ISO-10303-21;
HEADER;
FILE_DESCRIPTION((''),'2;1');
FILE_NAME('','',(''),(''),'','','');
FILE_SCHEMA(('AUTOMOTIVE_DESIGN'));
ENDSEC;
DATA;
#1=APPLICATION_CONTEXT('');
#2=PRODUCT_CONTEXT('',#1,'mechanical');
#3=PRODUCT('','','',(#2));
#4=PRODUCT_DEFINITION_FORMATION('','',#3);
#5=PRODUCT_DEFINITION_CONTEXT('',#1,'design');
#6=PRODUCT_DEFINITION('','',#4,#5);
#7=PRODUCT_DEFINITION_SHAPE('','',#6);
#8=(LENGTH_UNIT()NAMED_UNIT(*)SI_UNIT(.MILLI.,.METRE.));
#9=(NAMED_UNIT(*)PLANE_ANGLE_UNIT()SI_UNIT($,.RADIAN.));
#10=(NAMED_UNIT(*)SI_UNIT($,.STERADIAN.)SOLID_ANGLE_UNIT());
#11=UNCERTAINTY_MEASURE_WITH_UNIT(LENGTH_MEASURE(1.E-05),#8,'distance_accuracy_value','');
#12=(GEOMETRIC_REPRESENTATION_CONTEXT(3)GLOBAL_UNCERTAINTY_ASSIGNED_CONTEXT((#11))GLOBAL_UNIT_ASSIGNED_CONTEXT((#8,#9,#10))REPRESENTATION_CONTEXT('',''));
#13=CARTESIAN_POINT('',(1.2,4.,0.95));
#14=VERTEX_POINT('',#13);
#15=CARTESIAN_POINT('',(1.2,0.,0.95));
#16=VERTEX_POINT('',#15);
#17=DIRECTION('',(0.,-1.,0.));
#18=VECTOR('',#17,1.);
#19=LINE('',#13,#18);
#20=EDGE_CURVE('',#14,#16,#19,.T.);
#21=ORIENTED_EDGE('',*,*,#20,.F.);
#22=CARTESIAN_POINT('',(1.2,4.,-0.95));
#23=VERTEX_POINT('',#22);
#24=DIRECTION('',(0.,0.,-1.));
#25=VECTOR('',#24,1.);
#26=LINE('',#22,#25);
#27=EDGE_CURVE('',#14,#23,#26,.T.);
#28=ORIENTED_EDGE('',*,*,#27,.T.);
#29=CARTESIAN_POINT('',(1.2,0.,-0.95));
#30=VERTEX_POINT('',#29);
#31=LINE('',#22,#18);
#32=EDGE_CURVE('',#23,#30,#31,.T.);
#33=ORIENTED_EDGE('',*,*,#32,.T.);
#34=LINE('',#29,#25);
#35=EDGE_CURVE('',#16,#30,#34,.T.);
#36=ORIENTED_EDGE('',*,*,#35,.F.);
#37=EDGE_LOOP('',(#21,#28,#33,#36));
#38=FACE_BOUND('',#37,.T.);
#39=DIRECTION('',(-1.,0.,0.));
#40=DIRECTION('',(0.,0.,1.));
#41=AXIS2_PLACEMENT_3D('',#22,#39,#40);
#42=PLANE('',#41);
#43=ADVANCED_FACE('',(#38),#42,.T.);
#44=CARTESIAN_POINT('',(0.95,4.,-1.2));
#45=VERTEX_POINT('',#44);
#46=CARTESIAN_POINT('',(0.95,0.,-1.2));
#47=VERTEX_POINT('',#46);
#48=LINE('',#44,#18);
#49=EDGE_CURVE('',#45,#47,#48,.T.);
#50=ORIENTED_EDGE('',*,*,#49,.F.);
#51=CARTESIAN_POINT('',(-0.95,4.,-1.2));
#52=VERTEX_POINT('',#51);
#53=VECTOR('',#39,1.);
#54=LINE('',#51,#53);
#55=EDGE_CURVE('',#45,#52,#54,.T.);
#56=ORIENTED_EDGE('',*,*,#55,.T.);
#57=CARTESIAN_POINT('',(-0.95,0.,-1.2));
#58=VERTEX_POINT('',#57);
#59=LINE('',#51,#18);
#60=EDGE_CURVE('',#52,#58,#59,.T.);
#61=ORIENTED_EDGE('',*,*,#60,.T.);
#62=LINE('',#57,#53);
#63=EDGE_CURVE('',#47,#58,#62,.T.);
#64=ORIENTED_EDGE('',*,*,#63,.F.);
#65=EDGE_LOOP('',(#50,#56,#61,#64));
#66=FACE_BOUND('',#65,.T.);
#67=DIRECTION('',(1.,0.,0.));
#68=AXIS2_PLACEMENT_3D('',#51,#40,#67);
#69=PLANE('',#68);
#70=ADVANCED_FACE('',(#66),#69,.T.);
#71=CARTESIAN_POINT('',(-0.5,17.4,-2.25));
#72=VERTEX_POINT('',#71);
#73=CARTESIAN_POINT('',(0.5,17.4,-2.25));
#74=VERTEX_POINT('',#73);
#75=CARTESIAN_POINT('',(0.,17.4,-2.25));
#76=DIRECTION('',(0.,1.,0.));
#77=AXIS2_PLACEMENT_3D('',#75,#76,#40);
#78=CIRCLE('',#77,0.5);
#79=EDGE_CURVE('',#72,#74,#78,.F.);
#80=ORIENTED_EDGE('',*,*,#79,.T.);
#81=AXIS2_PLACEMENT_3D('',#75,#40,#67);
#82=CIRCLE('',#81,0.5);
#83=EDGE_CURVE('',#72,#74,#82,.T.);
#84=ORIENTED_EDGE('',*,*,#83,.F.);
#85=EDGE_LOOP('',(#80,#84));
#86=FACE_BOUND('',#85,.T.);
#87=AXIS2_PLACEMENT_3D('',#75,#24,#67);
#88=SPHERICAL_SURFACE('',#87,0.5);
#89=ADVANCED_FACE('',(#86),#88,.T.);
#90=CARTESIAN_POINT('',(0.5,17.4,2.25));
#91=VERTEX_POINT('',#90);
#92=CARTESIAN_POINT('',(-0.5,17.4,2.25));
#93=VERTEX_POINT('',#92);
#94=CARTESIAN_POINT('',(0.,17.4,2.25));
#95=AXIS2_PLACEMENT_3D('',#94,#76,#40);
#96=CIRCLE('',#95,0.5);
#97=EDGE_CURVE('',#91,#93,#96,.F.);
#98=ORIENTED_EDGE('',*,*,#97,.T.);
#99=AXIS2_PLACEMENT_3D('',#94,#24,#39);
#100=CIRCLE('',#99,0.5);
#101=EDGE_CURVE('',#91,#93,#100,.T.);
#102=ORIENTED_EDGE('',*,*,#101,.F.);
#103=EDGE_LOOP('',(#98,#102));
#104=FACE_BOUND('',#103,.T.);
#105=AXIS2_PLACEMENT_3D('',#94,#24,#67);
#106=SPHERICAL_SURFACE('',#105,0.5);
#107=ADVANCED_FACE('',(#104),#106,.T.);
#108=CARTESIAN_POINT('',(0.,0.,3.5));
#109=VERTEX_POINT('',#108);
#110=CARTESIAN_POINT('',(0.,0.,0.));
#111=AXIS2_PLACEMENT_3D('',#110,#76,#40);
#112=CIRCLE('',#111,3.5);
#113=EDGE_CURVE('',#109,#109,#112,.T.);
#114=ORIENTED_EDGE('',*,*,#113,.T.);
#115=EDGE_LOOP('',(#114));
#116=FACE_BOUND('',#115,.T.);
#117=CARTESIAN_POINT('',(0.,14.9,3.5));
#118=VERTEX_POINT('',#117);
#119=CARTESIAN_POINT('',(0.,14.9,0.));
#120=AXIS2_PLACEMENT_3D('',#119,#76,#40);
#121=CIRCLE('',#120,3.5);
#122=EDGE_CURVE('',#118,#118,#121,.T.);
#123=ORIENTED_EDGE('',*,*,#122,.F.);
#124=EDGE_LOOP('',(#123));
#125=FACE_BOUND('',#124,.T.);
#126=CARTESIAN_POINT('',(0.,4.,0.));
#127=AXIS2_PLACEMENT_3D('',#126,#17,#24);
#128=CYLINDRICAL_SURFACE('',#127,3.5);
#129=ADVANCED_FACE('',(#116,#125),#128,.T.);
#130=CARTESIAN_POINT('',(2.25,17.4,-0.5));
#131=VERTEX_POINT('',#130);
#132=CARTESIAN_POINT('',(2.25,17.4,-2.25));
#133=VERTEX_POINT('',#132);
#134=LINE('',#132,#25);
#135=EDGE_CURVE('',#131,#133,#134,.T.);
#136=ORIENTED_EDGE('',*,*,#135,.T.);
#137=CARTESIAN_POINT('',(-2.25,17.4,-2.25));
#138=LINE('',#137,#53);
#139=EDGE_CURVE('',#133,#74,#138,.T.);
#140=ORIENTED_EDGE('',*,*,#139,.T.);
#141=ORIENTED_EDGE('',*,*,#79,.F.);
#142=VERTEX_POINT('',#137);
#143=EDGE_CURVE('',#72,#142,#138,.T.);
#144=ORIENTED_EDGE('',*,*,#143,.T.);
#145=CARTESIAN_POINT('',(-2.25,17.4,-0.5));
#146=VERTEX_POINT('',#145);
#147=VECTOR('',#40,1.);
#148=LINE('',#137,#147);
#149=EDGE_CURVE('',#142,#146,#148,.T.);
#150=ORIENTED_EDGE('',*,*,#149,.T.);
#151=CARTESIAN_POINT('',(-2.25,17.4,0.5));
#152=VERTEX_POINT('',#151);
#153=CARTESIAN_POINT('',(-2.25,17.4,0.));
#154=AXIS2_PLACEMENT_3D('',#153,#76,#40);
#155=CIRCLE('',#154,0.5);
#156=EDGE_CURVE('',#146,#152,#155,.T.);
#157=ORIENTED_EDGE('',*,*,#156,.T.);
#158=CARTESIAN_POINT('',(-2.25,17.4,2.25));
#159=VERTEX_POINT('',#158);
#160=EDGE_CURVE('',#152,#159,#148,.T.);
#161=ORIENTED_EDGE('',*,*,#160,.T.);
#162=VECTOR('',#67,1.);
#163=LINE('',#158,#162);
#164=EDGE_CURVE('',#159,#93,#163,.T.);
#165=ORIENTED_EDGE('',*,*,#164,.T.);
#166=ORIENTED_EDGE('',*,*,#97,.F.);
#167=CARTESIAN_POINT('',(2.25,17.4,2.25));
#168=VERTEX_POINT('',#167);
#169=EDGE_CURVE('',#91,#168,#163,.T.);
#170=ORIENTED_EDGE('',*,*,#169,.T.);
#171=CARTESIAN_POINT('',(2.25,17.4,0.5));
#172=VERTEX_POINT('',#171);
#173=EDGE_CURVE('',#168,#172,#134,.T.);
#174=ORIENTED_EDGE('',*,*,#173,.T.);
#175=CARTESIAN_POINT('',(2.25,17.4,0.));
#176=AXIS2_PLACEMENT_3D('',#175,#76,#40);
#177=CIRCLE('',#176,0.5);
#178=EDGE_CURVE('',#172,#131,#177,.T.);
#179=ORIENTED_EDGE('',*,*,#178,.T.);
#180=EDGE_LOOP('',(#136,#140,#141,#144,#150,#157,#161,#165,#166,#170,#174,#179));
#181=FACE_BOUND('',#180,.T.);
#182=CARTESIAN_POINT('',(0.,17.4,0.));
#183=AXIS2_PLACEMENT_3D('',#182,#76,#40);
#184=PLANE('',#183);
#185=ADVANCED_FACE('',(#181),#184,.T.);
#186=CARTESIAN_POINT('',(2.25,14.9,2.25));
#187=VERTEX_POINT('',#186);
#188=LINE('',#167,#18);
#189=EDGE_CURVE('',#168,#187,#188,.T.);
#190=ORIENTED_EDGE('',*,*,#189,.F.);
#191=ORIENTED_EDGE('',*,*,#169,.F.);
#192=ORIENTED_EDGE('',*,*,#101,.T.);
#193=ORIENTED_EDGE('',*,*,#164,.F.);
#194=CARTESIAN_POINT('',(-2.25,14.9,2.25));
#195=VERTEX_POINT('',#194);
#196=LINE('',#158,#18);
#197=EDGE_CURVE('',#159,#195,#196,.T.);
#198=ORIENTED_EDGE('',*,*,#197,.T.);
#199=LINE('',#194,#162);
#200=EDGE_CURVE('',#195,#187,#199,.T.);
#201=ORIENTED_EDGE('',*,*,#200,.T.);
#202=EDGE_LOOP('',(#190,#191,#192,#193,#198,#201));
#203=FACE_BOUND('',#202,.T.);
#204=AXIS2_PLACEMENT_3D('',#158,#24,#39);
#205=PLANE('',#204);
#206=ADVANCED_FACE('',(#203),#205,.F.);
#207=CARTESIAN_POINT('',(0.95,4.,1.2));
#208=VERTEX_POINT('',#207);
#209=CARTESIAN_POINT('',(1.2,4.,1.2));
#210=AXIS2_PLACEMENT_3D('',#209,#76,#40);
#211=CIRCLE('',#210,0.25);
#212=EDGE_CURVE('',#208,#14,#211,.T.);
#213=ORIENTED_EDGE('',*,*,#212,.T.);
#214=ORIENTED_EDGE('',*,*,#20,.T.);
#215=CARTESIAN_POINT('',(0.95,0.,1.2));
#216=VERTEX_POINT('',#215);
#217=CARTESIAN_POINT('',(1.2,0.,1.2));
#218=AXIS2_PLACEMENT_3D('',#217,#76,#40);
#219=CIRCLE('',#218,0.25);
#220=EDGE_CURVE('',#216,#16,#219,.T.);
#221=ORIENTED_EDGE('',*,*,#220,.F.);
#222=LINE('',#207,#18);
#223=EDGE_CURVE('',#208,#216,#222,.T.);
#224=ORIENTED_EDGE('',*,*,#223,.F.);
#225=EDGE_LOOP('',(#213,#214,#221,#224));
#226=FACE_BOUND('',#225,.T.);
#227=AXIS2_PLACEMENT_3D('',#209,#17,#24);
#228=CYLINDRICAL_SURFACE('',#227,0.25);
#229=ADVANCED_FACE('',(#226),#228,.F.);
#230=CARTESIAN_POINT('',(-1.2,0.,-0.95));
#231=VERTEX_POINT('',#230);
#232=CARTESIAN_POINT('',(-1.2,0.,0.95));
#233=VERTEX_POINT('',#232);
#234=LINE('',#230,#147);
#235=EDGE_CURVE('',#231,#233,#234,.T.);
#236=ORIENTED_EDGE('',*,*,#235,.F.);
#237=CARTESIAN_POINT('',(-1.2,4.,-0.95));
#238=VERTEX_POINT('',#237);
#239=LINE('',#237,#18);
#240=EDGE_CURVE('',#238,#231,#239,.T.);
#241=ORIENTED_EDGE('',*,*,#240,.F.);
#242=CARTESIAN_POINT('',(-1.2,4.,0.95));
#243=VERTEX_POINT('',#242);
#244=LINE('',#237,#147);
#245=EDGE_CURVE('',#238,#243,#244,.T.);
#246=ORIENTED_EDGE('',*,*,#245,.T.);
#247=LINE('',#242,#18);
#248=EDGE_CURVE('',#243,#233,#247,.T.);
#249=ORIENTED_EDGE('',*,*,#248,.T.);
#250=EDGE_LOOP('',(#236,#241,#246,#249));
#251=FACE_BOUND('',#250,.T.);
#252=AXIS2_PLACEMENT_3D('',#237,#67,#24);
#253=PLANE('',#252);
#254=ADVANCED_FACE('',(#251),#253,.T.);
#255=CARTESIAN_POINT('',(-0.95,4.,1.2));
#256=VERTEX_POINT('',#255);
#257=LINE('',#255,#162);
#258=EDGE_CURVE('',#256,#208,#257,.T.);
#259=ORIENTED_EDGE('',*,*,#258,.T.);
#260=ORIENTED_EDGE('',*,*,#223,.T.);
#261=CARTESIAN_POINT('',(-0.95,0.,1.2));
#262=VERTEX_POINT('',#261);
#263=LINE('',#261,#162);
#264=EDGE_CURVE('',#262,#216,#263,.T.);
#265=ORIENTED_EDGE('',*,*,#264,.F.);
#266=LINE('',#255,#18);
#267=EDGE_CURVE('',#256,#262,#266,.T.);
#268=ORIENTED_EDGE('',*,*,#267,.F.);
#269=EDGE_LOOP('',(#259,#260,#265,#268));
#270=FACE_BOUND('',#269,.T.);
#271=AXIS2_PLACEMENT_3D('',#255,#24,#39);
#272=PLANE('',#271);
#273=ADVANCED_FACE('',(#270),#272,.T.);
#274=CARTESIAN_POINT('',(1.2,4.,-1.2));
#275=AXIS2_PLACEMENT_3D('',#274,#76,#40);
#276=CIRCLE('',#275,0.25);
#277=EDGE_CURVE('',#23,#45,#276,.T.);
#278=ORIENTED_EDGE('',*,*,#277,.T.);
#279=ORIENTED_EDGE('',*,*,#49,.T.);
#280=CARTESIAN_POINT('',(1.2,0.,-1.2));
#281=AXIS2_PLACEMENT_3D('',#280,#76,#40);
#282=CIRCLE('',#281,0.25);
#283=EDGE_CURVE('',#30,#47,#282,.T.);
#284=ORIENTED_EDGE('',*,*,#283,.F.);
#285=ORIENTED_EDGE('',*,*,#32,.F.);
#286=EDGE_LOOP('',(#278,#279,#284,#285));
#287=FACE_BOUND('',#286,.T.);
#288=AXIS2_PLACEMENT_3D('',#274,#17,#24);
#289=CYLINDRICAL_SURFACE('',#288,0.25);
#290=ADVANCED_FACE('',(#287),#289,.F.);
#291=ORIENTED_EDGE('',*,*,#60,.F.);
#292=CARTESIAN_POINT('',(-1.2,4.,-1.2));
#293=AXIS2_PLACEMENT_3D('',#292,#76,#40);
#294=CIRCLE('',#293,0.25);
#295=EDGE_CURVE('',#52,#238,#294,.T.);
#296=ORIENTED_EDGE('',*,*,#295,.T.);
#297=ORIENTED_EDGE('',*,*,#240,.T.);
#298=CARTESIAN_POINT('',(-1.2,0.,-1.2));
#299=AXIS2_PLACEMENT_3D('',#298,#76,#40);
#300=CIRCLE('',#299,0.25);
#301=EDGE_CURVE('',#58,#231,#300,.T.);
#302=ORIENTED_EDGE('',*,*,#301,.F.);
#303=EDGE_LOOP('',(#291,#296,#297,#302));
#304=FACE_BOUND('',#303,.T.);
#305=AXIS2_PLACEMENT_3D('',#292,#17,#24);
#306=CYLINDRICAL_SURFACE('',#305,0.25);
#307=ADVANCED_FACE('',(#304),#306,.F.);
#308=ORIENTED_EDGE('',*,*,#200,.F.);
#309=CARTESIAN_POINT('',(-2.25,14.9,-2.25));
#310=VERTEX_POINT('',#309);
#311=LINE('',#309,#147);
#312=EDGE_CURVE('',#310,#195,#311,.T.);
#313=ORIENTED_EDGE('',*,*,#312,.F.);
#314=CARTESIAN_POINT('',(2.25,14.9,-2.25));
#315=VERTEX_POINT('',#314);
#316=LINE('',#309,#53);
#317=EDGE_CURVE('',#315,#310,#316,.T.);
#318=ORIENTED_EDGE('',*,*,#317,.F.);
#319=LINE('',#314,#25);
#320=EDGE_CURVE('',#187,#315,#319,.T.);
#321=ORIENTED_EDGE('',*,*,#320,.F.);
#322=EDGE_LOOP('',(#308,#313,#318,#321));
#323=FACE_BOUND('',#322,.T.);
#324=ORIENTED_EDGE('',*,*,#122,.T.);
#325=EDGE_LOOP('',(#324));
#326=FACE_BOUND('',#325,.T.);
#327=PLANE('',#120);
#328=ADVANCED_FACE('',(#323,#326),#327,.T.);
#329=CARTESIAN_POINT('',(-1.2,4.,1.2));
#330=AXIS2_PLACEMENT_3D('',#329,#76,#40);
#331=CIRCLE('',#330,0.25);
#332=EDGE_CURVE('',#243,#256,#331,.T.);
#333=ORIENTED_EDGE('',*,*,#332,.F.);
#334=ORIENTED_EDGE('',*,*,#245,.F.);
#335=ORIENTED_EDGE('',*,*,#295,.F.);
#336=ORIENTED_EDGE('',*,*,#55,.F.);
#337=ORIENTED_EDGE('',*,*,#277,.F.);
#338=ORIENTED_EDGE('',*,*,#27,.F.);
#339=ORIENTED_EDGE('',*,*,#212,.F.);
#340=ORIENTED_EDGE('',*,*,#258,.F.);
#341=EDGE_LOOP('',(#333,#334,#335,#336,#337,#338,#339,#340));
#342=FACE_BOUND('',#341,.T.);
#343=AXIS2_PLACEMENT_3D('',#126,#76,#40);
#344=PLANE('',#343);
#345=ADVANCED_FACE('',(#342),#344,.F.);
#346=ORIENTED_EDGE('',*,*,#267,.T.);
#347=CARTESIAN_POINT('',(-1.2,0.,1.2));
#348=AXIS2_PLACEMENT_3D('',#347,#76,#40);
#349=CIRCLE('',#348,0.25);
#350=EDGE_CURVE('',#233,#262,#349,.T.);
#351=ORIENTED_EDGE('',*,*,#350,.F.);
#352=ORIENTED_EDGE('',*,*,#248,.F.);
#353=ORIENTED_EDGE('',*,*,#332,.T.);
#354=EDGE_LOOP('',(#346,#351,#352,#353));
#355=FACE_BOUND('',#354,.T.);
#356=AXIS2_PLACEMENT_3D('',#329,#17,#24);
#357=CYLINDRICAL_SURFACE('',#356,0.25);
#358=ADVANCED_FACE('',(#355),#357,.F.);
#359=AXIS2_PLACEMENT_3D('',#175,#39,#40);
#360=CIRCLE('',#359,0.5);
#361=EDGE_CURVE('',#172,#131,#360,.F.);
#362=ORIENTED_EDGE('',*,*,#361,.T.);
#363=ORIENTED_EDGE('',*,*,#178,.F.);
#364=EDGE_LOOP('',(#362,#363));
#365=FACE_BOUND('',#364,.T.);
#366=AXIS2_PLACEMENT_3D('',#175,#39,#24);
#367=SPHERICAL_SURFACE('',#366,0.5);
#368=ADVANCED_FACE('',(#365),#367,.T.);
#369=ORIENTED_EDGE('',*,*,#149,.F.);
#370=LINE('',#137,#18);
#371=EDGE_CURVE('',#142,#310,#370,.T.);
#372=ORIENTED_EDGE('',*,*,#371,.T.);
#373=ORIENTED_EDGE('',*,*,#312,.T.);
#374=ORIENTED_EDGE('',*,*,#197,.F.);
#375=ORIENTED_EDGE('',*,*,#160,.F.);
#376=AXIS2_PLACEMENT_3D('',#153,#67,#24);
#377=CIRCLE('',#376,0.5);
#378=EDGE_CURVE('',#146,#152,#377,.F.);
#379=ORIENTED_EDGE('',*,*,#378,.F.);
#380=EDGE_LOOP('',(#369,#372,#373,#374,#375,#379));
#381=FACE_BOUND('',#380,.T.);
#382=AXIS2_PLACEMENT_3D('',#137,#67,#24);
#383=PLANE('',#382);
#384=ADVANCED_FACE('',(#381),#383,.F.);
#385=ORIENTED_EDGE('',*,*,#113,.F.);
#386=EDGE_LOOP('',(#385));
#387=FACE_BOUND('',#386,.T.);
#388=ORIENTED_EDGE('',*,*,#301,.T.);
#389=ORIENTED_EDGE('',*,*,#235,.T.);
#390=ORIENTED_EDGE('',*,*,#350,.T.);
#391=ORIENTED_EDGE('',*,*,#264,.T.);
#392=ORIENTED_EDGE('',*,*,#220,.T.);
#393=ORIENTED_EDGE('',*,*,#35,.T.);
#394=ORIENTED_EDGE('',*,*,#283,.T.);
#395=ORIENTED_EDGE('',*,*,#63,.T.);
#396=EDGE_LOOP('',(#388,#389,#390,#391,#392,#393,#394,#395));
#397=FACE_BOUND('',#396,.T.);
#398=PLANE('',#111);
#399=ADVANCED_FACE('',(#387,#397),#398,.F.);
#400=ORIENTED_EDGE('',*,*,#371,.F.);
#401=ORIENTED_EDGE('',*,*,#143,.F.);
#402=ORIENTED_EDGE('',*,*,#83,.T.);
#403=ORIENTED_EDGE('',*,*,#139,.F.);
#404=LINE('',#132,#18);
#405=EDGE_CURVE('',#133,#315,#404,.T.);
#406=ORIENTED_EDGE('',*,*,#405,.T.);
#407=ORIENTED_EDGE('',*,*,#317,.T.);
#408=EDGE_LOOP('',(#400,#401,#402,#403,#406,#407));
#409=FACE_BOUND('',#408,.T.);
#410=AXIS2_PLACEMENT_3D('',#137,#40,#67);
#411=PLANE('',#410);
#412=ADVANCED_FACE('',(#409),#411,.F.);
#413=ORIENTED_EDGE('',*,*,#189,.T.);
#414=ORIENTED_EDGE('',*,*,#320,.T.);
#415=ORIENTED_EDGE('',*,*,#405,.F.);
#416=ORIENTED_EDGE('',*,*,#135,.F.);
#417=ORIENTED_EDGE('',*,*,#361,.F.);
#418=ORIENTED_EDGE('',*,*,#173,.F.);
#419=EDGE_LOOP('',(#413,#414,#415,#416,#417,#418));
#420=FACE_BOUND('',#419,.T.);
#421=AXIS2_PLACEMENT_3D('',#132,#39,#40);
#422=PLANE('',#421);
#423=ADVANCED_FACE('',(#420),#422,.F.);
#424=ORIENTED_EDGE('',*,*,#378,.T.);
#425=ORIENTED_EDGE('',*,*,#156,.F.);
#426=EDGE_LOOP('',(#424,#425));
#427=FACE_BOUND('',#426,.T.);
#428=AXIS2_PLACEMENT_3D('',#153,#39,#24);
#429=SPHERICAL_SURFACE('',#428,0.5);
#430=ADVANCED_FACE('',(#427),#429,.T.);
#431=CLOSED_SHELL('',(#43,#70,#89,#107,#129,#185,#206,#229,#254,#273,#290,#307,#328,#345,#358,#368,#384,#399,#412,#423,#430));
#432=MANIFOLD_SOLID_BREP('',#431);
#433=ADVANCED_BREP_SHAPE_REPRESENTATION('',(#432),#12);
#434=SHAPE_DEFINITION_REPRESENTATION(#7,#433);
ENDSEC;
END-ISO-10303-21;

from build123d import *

# Parameters (mm, degrees)
SKETCH_1_R          = 3.5
EXTRUDE_1_DEPTH     = 4
SKETCH_2_R          = 3.5
EXTRUDE_2_DEPTH     = 10.9
SKETCH_3_W          = 4.5
SKETCH_3_H          = 4.5
EXTRUDE_3_DEPTH     = 2.5
SKETCH_6_R          = 3.25
CUT_EXTRUDE_1_DEPTH = 2.5


with BuildPart() as part:
    # 草图1 → 凸台-拉伸1 (new body)
    with BuildSketch(Plane(origin=(0, 0, 0), x_dir=(1, 0, 0), z_dir=(0, 1, 0))):
        Circle(SKETCH_1_R)
        with BuildLine():
            Line((-0.95, 1.2), (0.95, 1.2))
            ThreePointArc((0.95, 1.2), (1.376776695, 1.376776695), (1.2, 0.95))
            Line((1.2, 0.95), (1.2, -0.95))
            ThreePointArc((1.2, -0.95), (1.376776695, -1.376776695), (0.95, -1.2))
            Line((0.95, -1.2), (-0.95, -1.2))
            ThreePointArc((-0.95, -1.2), (-1.376776695, -1.376776695), (-1.2, -0.95))
            Line((-1.2, -0.95), (-1.2, 0.95))
            ThreePointArc((-1.2, 0.95), (-1.376776695, 1.376776695), (-0.95, 1.2))
        make_face(mode=Mode.SUBTRACT)
    extrude(amount=EXTRUDE_1_DEPTH)

    # 草图2 → 凸台-拉伸2 (add)
    with BuildSketch(Plane(origin=(0, 4, 0), x_dir=(1, 0, 0), z_dir=(0, 1, 0))):
        Circle(SKETCH_2_R)
    extrude(amount=EXTRUDE_2_DEPTH)

    # 草图3 → 凸台-拉伸3 (add)
    with BuildSketch(Plane(origin=(0, 14.9, 0), x_dir=(1, 0, 0), z_dir=(0, 1, 0))):
        Rectangle(SKETCH_3_W, SKETCH_3_H)
    extrude(amount=EXTRUDE_3_DEPTH)

    # 草图4 → 旋转1 (revolve)
    with BuildSketch(Plane(origin=(0, 17.4, 0), x_dir=(1, 0, 0), z_dir=(0, 1, 0))):
        with BuildLine():
            Line((0, 2.75), (0, 1.75))
            ThreePointArc((0, 1.75), (-0.5, 2.25), (0, 2.75))
        make_face()
        with BuildLine():
            Line((0, -1.75), (0, -2.75))
            ThreePointArc((0, -2.75), (-0.5, -2.25), (0, -1.75))
        make_face()
    revolve(axis=Axis((0, 17.4, -2.75), (0, 0, 1)))

    # 草图5 → 旋转2 (revolve)
    with BuildSketch(Plane(origin=(0, 17.4, 0), x_dir=(1, 0, 0), z_dir=(0, 1, 0))):
        with BuildLine():
            Line((-2.75, 0), (-1.75, 0))
            ThreePointArc((-1.75, 0), (-2.25, 0.5), (-2.75, 0))
        make_face()
        with BuildLine():
            Line((1.75, 0), (2.75, 0))
            ThreePointArc((2.75, 0), (2.25, 0.5), (1.75, 0))
        make_face()
    revolve(axis=Axis((-2.75, 17.4, 0), (1, 0, 0)))

    # 草图6 → 切除-拉伸1 (cut)
    with BuildSketch(Plane(origin=(0, 17.4, 0), x_dir=(1, 0, 0), z_dir=(0, 1, 0))):
        Circle(SKETCH_6_R)
    extrude(amount=CUT_EXTRUDE_1_DEPTH, mode=Mode.SUBTRACT)


solid = part.part
